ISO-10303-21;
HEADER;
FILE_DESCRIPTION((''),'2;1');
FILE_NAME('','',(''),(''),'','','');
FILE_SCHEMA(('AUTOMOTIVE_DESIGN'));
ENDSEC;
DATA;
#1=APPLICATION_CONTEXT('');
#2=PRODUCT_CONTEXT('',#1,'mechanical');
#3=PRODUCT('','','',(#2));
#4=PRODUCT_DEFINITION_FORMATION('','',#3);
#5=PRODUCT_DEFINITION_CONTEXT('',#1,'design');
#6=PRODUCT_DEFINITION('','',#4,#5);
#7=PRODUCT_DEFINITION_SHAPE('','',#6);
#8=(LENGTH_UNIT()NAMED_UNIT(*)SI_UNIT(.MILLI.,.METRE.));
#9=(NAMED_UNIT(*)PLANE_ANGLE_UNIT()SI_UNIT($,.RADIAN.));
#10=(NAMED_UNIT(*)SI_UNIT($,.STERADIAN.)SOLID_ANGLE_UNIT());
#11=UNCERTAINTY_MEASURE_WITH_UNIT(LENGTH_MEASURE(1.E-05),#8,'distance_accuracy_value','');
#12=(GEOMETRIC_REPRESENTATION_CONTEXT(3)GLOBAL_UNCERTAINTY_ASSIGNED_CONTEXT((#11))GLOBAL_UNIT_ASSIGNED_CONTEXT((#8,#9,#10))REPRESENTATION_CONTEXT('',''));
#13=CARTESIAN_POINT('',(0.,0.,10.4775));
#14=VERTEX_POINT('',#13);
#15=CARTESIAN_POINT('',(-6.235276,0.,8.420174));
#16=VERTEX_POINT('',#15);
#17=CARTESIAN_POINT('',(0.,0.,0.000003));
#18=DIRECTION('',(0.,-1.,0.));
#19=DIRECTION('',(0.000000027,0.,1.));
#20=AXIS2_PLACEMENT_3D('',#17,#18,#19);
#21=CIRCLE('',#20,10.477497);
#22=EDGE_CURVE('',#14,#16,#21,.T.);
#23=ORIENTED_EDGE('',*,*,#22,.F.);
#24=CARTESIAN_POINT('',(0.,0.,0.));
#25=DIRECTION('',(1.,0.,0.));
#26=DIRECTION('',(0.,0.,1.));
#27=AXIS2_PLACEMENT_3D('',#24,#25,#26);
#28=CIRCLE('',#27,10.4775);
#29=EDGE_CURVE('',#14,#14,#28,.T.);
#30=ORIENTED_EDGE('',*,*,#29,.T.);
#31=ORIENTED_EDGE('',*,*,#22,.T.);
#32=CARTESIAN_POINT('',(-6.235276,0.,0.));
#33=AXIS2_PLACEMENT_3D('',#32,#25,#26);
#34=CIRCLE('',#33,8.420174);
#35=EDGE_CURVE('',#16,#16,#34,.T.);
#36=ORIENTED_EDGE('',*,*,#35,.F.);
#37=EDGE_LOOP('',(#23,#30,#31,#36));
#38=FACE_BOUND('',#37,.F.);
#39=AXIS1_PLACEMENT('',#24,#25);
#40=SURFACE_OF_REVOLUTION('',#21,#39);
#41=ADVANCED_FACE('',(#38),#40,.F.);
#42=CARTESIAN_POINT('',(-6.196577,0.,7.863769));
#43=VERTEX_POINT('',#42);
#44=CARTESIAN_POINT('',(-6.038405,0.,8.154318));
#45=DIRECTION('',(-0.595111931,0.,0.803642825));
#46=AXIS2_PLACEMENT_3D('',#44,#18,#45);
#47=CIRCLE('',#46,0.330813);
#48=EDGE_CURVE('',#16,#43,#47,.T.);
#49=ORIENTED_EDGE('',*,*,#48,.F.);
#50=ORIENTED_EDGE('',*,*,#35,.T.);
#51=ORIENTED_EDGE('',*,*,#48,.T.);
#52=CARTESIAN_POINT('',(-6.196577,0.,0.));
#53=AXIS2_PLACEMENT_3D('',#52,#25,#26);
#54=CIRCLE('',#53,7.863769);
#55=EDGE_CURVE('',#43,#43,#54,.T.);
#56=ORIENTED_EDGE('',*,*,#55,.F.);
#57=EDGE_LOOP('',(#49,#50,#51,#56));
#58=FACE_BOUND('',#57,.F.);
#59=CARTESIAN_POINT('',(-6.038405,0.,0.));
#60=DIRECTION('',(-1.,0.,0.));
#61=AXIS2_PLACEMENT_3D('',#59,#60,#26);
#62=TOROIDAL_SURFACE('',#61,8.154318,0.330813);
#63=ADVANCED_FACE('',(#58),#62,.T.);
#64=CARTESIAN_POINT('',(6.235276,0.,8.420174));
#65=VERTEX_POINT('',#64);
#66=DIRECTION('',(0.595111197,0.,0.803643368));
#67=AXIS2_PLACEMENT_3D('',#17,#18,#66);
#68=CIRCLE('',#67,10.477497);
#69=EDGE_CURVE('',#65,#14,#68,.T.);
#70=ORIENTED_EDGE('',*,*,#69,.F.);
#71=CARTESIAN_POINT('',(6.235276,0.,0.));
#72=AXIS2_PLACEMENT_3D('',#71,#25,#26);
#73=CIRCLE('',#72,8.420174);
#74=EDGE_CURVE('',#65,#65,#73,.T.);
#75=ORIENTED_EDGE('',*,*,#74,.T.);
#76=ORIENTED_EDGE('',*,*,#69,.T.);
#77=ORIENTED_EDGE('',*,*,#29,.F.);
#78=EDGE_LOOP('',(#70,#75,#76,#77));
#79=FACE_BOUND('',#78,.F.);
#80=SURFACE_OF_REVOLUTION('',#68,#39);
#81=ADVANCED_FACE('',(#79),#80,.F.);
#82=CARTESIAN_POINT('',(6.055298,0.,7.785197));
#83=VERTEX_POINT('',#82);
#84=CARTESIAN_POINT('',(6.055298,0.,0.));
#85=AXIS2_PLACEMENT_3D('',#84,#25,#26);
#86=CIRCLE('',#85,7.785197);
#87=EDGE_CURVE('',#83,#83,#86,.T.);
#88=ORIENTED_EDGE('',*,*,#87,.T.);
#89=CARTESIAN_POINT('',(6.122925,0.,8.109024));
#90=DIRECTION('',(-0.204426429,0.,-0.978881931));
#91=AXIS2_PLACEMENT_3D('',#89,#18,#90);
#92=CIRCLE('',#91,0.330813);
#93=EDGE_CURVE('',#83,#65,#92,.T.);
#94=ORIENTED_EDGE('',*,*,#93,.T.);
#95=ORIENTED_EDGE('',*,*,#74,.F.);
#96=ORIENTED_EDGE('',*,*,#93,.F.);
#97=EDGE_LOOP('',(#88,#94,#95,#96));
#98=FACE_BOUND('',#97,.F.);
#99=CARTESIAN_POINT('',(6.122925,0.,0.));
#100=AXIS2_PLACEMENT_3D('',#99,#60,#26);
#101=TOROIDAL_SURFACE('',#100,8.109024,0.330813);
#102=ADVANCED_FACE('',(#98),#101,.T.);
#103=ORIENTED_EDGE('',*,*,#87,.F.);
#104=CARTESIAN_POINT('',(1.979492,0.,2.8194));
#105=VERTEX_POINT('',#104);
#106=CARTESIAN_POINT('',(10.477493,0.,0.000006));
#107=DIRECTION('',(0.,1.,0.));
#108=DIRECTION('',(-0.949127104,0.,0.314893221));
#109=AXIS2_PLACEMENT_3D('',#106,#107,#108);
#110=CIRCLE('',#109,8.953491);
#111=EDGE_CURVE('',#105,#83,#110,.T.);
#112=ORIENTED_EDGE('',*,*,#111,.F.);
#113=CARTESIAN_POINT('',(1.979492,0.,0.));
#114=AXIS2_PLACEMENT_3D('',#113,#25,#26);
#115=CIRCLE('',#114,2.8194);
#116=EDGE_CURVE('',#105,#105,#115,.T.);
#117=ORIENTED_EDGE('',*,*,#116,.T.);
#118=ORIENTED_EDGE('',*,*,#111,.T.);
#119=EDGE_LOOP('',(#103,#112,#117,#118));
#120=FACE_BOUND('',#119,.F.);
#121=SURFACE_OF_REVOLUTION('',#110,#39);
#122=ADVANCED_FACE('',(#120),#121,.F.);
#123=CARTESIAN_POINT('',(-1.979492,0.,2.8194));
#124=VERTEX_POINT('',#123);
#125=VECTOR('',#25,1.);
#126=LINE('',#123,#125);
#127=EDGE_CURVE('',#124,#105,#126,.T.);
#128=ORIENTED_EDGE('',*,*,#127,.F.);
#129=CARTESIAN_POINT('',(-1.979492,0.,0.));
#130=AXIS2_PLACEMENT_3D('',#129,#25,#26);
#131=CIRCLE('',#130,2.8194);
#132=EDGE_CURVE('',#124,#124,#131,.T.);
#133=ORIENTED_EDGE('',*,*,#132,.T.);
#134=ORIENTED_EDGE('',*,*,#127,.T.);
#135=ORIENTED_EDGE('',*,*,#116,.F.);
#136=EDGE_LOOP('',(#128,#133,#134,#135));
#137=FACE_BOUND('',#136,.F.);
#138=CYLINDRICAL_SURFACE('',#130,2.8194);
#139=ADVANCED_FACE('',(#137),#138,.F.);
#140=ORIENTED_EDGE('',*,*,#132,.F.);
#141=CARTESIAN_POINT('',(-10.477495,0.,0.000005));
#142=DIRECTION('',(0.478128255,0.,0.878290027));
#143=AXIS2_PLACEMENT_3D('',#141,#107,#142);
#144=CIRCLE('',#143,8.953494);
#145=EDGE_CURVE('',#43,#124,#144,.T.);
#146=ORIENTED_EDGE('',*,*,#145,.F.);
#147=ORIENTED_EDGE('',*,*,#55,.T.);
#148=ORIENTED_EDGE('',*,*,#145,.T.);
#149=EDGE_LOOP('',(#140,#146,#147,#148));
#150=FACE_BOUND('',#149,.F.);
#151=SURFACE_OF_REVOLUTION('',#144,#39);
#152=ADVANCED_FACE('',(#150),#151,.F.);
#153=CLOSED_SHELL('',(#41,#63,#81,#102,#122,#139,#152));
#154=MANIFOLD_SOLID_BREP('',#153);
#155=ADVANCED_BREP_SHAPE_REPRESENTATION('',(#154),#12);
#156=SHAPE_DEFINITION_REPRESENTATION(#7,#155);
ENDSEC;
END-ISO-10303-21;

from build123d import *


with BuildPart() as f1:
    # F0 (on Front) → F1 (revolve)
    with BuildSketch(Plane.XZ):
        with BuildLine():
            Line((-1.979492, 2.8194), (0.015082, 2.8194))
            Line((0.015082, 2.8194), (0, 10.4775))
            ThreePointArc((0, 10.4775), (-3.282958, 9.949884), (-6.235276, 8.420174))
            ThreePointArc((-6.235276, 8.420174), (-6.368421, 8.131365), (-6.196577, 7.863769))
            ThreePointArc((-6.196577, 7.863769), (-3.608243, 5.742689), (-1.979492, 2.8194))
        make_face()
        with BuildLine():
            Line((0, 10.4775), (0.015082, 2.8194))
            Line((0.015082, 2.8194), (1.979492, 2.8194))
            ThreePointArc((1.979492, 2.8194), (3.55668, 5.680442), (6.055298, 7.785197))
            ThreePointArc((6.055298, 7.785197), (6.4412, 8.018812), (6.235276, 8.420174))
            ThreePointArc((6.235276, 8.420174), (3.282958, 9.949884), (0, 10.4775))
        make_face()
    revolve(axis=Axis((0, 0, 0), (1, 0, 0)))


solid = f1.part
